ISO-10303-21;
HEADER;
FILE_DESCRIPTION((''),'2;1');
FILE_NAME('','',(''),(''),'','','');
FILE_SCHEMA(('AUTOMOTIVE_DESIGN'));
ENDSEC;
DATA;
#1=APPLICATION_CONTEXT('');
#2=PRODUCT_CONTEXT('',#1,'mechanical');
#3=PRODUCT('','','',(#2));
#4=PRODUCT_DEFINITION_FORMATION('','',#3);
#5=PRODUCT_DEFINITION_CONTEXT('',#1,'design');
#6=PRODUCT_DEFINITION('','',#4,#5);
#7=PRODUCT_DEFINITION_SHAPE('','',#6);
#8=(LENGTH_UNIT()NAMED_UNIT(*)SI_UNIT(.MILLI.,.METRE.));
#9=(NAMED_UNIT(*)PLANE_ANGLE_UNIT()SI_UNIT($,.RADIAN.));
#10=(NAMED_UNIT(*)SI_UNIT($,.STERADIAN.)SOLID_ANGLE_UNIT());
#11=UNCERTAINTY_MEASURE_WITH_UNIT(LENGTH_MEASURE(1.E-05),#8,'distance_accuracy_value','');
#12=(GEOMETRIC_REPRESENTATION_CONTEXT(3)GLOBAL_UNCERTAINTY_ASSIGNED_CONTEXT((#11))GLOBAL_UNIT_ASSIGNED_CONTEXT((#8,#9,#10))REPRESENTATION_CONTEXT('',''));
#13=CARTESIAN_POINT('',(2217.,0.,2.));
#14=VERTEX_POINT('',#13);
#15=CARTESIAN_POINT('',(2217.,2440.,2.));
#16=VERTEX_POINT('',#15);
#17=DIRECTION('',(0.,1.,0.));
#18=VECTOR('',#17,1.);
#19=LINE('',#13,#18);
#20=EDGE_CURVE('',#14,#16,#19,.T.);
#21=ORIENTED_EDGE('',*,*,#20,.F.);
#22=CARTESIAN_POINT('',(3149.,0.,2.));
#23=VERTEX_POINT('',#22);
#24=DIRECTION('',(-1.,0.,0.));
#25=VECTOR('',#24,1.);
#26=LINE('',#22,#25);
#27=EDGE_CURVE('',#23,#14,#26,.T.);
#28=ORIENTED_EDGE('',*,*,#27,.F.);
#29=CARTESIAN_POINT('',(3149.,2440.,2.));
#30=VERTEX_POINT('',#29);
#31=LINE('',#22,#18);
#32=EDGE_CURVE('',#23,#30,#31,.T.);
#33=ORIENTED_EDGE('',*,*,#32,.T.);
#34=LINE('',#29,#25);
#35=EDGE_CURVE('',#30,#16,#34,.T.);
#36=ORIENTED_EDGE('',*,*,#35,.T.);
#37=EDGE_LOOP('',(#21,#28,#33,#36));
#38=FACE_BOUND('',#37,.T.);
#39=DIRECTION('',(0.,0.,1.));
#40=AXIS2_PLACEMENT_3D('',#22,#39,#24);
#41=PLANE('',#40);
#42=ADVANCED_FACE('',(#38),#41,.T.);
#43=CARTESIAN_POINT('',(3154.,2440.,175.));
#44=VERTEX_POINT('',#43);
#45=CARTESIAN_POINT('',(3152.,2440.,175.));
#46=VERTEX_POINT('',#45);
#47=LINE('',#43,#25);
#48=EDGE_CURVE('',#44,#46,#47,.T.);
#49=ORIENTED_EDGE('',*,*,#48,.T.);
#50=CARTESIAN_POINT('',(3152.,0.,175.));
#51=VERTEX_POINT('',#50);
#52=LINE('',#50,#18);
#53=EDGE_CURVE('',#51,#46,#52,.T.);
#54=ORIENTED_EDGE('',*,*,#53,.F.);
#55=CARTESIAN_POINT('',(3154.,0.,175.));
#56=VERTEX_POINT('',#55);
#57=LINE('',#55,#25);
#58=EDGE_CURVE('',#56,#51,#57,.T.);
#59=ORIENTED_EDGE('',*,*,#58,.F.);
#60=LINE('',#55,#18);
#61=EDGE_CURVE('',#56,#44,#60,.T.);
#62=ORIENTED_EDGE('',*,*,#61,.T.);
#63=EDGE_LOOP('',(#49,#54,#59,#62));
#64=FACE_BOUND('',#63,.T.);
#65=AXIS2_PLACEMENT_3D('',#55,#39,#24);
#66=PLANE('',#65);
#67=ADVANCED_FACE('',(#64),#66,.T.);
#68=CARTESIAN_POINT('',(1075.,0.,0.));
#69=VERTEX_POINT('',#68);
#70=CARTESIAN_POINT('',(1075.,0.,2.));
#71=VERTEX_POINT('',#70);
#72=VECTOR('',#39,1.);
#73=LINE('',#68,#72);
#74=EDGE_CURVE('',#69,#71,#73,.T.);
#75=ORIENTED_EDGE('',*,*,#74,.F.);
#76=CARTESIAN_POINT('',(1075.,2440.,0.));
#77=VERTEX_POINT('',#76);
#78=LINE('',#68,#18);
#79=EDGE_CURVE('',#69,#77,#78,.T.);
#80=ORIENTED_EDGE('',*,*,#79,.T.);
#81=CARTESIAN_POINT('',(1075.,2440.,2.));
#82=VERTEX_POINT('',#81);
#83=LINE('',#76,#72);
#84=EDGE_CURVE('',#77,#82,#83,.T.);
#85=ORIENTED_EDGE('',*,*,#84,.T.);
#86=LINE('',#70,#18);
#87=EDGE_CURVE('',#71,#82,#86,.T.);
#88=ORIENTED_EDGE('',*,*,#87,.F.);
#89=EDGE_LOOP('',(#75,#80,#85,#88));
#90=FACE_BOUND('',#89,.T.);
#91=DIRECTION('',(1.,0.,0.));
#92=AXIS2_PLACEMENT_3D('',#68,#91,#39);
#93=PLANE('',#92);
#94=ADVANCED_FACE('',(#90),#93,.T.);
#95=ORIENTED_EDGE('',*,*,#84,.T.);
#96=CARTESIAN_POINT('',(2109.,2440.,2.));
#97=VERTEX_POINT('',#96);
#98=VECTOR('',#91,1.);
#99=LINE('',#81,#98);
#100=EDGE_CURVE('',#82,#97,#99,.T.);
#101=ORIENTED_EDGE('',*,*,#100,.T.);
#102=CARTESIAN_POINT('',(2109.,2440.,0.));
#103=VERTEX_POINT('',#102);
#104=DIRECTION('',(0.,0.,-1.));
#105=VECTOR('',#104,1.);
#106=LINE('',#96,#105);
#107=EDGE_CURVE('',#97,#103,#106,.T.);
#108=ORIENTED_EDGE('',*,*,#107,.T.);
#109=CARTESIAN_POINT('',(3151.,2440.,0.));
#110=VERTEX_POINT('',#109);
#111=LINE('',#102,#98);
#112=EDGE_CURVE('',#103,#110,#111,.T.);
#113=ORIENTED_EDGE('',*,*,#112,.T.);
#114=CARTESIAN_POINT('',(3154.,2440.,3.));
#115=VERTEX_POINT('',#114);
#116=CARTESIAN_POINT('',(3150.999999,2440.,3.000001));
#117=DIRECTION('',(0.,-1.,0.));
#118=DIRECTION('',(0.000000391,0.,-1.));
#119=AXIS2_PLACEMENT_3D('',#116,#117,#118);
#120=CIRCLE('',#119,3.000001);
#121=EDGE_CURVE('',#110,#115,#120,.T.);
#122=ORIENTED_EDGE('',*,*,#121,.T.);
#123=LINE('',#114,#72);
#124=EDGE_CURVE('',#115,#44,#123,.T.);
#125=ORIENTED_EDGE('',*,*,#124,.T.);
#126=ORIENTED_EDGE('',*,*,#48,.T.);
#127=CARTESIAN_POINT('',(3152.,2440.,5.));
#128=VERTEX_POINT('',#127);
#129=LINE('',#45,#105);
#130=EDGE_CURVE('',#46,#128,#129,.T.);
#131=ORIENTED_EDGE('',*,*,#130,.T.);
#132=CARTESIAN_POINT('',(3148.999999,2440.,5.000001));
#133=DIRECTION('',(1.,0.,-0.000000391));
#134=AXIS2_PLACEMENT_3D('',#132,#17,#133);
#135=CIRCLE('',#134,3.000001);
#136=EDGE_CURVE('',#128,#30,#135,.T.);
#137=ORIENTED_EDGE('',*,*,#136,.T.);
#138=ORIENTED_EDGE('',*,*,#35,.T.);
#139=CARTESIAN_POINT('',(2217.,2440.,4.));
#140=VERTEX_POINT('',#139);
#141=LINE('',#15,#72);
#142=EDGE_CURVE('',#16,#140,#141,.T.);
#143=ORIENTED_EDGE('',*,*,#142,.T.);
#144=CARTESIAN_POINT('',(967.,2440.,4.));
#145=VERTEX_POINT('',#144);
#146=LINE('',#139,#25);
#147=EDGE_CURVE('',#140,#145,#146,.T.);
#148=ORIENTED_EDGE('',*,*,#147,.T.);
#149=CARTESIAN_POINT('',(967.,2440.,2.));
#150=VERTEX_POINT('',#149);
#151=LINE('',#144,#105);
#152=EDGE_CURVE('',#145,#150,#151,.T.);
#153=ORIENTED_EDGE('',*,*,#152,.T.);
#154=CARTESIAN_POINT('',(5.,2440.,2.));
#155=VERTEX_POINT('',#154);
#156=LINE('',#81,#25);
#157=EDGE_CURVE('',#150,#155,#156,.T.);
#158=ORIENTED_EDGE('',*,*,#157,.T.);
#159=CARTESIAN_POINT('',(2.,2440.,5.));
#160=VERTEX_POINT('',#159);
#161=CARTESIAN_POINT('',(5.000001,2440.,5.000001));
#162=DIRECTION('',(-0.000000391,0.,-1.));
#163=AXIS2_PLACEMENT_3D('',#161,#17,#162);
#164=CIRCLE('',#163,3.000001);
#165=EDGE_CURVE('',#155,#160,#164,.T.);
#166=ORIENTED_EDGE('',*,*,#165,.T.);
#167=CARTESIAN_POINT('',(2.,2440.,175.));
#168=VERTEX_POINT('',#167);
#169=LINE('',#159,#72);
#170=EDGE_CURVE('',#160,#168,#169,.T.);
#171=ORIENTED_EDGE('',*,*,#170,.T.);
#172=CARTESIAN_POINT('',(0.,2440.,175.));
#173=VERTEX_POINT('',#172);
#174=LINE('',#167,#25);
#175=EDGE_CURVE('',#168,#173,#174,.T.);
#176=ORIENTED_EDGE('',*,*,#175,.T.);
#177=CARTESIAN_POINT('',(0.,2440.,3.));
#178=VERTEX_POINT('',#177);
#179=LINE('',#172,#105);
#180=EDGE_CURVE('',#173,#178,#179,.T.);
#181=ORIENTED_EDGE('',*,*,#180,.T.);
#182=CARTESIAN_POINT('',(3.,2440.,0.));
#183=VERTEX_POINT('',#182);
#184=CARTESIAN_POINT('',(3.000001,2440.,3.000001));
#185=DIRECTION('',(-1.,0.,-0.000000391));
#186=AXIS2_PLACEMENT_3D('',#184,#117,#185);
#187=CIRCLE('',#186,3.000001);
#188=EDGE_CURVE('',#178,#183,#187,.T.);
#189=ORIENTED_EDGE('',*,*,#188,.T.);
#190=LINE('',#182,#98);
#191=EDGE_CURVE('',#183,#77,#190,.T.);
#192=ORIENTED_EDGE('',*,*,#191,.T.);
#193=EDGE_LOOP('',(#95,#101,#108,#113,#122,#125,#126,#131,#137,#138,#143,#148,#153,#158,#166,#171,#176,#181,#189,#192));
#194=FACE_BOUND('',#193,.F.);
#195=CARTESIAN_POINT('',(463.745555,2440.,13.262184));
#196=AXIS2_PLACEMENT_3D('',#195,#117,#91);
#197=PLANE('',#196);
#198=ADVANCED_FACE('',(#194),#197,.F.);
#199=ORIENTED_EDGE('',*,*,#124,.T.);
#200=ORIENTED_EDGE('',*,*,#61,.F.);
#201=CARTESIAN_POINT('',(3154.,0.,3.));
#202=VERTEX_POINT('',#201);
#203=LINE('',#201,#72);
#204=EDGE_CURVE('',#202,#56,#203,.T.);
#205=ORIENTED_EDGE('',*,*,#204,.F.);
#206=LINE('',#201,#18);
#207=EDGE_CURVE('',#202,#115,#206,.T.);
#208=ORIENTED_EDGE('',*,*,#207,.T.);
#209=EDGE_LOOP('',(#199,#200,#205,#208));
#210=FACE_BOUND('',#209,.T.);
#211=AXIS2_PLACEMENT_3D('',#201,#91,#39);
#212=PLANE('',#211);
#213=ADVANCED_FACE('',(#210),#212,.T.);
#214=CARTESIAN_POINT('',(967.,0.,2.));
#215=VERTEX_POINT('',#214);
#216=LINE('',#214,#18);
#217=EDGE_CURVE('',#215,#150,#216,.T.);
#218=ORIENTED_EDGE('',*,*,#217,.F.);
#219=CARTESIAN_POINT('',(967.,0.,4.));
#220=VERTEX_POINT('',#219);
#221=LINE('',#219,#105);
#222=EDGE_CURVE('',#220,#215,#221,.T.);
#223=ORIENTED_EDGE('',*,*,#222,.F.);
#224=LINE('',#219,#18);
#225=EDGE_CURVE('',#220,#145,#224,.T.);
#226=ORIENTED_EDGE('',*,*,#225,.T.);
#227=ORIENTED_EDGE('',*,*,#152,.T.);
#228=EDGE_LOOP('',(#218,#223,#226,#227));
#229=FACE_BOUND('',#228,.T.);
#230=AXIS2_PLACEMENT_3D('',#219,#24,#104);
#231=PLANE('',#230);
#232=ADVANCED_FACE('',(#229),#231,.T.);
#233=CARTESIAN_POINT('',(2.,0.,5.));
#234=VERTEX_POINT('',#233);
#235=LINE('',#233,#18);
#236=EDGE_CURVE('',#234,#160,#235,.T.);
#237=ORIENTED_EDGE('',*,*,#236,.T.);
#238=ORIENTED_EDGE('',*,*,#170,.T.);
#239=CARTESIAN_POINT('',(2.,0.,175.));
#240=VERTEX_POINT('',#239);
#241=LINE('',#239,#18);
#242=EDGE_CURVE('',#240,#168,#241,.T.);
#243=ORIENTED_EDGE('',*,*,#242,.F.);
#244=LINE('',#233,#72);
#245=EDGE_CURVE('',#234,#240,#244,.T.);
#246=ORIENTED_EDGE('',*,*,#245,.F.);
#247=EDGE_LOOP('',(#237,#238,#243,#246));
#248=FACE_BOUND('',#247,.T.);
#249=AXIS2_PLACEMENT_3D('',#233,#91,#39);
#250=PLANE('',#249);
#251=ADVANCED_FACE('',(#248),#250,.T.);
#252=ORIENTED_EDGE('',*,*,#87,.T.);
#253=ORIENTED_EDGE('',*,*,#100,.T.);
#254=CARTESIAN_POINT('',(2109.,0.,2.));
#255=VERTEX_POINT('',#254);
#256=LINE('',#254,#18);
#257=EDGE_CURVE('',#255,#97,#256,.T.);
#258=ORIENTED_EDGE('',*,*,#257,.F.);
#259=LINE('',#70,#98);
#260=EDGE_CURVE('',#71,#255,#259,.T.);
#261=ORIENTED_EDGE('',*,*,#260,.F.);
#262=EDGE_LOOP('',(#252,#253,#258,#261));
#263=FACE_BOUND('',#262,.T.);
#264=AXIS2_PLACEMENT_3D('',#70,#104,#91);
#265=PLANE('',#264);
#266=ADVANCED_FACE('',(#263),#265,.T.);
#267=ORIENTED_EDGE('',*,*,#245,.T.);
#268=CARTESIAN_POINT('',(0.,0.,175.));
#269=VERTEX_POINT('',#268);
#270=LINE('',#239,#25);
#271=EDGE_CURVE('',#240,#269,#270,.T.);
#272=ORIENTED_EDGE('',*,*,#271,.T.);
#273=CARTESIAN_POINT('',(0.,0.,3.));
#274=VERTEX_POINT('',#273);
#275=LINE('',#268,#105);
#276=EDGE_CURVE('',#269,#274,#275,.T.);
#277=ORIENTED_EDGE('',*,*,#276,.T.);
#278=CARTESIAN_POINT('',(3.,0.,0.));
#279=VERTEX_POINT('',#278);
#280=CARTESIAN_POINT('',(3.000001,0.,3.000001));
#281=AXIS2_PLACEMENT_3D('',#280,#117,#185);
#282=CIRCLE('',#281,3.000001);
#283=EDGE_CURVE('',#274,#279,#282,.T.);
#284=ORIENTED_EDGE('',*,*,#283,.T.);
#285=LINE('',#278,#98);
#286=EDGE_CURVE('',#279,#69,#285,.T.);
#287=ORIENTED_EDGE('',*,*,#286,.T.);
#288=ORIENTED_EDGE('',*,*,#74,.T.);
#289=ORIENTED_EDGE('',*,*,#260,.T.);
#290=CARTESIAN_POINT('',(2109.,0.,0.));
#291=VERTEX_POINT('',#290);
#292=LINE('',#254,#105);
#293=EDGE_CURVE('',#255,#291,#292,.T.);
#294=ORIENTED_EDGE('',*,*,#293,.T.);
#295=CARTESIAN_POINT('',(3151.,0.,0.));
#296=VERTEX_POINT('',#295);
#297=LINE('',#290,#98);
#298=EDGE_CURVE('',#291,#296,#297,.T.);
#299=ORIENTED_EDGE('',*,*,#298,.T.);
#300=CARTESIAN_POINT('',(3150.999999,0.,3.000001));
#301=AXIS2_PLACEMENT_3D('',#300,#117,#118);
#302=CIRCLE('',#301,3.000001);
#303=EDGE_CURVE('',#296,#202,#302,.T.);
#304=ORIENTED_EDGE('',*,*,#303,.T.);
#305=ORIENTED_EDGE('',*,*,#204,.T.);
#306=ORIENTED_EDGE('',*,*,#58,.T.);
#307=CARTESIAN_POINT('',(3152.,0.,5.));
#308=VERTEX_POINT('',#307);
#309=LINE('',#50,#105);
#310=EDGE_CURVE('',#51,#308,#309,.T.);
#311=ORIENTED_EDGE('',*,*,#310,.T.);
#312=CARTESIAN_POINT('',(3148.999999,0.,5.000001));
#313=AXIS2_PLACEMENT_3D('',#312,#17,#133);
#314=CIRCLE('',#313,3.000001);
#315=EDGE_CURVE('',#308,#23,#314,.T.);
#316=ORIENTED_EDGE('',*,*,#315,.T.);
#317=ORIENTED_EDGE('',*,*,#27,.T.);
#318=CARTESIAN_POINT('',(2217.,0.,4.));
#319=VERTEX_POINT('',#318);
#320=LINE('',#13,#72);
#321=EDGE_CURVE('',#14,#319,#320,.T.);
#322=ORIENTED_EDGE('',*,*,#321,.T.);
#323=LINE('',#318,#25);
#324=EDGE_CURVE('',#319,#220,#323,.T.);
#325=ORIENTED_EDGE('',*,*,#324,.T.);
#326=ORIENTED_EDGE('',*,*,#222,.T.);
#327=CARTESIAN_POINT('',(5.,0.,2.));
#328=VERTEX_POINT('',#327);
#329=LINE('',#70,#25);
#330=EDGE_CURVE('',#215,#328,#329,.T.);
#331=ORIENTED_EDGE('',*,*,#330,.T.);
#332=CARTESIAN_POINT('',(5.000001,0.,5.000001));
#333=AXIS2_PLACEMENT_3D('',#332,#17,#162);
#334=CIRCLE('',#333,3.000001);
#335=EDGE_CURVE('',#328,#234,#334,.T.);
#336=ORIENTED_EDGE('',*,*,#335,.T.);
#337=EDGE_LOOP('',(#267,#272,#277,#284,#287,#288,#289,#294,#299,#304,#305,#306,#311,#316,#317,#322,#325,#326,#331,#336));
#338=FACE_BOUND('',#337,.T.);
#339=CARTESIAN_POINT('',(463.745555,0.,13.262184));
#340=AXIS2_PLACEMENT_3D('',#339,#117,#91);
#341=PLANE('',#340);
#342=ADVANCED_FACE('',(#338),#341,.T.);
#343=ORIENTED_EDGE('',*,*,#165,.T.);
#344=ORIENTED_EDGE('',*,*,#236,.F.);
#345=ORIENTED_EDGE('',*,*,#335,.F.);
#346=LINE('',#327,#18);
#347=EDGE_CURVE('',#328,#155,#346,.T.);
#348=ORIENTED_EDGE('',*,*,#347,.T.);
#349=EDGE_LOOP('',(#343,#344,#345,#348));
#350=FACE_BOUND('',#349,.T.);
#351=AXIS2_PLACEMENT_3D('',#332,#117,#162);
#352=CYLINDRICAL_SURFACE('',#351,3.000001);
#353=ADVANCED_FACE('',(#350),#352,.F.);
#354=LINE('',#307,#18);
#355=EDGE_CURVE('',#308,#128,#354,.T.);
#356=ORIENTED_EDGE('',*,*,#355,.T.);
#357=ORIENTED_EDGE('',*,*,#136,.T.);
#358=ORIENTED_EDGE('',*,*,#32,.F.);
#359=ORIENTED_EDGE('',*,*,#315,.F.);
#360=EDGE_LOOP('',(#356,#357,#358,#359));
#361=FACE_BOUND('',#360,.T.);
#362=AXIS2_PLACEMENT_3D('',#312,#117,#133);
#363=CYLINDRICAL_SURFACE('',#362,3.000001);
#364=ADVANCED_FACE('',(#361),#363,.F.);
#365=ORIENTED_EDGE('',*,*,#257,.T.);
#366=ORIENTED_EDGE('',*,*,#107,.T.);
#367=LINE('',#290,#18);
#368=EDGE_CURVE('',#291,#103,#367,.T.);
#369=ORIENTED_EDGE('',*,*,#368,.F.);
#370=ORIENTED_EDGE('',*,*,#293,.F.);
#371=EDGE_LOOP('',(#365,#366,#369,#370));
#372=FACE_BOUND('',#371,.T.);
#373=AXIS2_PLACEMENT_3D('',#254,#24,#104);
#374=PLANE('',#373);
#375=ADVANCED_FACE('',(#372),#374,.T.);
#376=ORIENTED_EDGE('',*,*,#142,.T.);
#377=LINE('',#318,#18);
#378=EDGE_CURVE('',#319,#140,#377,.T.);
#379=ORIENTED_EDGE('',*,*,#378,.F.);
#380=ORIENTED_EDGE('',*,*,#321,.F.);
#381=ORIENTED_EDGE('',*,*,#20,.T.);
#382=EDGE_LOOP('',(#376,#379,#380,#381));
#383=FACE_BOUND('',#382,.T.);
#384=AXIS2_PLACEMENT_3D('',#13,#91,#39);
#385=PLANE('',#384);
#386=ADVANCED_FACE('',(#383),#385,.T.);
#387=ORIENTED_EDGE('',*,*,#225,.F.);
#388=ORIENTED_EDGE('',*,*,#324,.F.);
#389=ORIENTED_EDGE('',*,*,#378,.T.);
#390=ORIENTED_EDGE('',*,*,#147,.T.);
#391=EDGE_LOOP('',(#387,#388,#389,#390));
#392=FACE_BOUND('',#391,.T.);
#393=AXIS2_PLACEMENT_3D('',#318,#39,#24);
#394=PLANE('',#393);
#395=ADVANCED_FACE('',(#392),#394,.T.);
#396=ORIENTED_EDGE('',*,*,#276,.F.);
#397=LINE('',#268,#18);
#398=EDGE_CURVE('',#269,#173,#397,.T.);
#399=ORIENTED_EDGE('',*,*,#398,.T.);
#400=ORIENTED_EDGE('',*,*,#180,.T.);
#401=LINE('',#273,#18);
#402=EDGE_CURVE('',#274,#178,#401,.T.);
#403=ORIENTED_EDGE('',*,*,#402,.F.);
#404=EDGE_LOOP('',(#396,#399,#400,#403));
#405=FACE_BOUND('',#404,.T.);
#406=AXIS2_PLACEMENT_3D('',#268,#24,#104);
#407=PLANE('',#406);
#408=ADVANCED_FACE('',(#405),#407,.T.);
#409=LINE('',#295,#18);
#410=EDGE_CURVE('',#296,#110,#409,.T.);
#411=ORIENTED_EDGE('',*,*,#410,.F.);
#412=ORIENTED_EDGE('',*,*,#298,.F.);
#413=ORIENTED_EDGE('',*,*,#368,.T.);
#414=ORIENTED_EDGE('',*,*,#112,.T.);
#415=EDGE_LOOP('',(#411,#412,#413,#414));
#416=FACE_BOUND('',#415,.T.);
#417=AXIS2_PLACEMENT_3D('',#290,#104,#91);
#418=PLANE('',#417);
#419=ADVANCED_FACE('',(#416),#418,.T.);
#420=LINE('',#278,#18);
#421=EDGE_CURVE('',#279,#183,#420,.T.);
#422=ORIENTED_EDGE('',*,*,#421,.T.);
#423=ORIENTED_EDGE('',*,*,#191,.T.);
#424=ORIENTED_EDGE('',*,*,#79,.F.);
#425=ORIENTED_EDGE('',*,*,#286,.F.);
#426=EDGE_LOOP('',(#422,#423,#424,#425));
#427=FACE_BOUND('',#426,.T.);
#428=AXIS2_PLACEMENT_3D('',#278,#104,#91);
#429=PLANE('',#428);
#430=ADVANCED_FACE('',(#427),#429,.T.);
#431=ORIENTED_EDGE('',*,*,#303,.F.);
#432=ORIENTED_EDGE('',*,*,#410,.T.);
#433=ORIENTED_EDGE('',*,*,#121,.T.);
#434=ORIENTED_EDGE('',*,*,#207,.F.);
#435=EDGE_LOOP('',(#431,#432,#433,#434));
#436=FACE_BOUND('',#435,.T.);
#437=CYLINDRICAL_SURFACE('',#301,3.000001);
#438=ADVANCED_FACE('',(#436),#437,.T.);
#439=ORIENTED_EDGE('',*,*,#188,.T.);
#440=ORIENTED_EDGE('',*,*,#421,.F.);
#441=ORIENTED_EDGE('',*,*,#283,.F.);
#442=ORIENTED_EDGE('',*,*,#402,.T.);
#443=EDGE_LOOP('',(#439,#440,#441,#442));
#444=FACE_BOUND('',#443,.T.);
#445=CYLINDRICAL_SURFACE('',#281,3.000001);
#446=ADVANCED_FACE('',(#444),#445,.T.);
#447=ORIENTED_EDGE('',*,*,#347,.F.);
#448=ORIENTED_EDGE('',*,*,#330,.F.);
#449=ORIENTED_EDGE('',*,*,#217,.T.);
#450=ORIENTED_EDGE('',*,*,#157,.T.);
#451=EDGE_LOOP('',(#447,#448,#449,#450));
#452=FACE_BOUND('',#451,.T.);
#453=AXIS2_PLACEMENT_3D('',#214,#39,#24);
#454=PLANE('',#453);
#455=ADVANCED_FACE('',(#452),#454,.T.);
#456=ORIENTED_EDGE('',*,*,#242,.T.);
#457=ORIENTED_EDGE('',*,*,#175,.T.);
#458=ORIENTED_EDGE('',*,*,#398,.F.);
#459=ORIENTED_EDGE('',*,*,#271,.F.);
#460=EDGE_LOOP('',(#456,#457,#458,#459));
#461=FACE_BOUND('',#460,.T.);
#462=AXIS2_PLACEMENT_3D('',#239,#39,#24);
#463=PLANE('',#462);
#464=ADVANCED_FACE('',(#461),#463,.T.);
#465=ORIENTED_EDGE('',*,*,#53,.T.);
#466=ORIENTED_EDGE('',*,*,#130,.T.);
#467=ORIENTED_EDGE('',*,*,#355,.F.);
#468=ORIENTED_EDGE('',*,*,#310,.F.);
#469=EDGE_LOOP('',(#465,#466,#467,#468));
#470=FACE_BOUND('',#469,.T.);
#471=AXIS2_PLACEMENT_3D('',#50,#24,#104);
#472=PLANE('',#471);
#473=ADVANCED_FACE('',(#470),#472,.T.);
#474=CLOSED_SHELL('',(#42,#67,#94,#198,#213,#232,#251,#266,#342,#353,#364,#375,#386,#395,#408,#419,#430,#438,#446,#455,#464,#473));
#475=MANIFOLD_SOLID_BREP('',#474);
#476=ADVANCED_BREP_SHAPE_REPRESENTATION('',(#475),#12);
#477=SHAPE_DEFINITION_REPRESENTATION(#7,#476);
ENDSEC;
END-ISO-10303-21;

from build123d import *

# Parameters (mm, degrees)
F1_DEPTH = 2440


with BuildPart() as f1:
    # F0 (on Front) → F1 (new body)
    with BuildSketch(Plane.XZ):
        with BuildLine():
            ThreePointArc((0, 3), (0.87868, 0.87868), (3, 0))
            Line((3, 0), (1075, 0))
            Line((1075, 0), (1075, 2))
            Line((1075, 2), (967, 2))
            Line((967, 2), (5, 2))
            ThreePointArc((5, 2), (2.87868, 2.87868), (2, 5))
            Line((2, 5), (2, 175))
            Line((2, 175), (0, 175))
            Line((0, 175), (0, 3))
        make_face()
        with BuildLine():
            Line((2217, 2), (2109, 2))
            Line((2109, 2), (2109, 0))
            Line((2109, 0), (3151, 0))
            ThreePointArc((3151, 0), (3153.12132, 0.87868), (3154, 3))
            Line((3154, 3), (3154, 175))
            Line((3154, 175), (3152, 175))
            Line((3152, 175), (3152, 5))
            ThreePointArc((3152, 5), (3151.12132, 2.87868), (3149, 2))
            Line((3149, 2), (2217, 2))
        make_face()
        Polygon((967, 2), (1075, 2), (2109, 2), (2217, 2), (2217, 4), (967, 4), align=None)
    extrude(amount=-F1_DEPTH)


solid = f1.part
